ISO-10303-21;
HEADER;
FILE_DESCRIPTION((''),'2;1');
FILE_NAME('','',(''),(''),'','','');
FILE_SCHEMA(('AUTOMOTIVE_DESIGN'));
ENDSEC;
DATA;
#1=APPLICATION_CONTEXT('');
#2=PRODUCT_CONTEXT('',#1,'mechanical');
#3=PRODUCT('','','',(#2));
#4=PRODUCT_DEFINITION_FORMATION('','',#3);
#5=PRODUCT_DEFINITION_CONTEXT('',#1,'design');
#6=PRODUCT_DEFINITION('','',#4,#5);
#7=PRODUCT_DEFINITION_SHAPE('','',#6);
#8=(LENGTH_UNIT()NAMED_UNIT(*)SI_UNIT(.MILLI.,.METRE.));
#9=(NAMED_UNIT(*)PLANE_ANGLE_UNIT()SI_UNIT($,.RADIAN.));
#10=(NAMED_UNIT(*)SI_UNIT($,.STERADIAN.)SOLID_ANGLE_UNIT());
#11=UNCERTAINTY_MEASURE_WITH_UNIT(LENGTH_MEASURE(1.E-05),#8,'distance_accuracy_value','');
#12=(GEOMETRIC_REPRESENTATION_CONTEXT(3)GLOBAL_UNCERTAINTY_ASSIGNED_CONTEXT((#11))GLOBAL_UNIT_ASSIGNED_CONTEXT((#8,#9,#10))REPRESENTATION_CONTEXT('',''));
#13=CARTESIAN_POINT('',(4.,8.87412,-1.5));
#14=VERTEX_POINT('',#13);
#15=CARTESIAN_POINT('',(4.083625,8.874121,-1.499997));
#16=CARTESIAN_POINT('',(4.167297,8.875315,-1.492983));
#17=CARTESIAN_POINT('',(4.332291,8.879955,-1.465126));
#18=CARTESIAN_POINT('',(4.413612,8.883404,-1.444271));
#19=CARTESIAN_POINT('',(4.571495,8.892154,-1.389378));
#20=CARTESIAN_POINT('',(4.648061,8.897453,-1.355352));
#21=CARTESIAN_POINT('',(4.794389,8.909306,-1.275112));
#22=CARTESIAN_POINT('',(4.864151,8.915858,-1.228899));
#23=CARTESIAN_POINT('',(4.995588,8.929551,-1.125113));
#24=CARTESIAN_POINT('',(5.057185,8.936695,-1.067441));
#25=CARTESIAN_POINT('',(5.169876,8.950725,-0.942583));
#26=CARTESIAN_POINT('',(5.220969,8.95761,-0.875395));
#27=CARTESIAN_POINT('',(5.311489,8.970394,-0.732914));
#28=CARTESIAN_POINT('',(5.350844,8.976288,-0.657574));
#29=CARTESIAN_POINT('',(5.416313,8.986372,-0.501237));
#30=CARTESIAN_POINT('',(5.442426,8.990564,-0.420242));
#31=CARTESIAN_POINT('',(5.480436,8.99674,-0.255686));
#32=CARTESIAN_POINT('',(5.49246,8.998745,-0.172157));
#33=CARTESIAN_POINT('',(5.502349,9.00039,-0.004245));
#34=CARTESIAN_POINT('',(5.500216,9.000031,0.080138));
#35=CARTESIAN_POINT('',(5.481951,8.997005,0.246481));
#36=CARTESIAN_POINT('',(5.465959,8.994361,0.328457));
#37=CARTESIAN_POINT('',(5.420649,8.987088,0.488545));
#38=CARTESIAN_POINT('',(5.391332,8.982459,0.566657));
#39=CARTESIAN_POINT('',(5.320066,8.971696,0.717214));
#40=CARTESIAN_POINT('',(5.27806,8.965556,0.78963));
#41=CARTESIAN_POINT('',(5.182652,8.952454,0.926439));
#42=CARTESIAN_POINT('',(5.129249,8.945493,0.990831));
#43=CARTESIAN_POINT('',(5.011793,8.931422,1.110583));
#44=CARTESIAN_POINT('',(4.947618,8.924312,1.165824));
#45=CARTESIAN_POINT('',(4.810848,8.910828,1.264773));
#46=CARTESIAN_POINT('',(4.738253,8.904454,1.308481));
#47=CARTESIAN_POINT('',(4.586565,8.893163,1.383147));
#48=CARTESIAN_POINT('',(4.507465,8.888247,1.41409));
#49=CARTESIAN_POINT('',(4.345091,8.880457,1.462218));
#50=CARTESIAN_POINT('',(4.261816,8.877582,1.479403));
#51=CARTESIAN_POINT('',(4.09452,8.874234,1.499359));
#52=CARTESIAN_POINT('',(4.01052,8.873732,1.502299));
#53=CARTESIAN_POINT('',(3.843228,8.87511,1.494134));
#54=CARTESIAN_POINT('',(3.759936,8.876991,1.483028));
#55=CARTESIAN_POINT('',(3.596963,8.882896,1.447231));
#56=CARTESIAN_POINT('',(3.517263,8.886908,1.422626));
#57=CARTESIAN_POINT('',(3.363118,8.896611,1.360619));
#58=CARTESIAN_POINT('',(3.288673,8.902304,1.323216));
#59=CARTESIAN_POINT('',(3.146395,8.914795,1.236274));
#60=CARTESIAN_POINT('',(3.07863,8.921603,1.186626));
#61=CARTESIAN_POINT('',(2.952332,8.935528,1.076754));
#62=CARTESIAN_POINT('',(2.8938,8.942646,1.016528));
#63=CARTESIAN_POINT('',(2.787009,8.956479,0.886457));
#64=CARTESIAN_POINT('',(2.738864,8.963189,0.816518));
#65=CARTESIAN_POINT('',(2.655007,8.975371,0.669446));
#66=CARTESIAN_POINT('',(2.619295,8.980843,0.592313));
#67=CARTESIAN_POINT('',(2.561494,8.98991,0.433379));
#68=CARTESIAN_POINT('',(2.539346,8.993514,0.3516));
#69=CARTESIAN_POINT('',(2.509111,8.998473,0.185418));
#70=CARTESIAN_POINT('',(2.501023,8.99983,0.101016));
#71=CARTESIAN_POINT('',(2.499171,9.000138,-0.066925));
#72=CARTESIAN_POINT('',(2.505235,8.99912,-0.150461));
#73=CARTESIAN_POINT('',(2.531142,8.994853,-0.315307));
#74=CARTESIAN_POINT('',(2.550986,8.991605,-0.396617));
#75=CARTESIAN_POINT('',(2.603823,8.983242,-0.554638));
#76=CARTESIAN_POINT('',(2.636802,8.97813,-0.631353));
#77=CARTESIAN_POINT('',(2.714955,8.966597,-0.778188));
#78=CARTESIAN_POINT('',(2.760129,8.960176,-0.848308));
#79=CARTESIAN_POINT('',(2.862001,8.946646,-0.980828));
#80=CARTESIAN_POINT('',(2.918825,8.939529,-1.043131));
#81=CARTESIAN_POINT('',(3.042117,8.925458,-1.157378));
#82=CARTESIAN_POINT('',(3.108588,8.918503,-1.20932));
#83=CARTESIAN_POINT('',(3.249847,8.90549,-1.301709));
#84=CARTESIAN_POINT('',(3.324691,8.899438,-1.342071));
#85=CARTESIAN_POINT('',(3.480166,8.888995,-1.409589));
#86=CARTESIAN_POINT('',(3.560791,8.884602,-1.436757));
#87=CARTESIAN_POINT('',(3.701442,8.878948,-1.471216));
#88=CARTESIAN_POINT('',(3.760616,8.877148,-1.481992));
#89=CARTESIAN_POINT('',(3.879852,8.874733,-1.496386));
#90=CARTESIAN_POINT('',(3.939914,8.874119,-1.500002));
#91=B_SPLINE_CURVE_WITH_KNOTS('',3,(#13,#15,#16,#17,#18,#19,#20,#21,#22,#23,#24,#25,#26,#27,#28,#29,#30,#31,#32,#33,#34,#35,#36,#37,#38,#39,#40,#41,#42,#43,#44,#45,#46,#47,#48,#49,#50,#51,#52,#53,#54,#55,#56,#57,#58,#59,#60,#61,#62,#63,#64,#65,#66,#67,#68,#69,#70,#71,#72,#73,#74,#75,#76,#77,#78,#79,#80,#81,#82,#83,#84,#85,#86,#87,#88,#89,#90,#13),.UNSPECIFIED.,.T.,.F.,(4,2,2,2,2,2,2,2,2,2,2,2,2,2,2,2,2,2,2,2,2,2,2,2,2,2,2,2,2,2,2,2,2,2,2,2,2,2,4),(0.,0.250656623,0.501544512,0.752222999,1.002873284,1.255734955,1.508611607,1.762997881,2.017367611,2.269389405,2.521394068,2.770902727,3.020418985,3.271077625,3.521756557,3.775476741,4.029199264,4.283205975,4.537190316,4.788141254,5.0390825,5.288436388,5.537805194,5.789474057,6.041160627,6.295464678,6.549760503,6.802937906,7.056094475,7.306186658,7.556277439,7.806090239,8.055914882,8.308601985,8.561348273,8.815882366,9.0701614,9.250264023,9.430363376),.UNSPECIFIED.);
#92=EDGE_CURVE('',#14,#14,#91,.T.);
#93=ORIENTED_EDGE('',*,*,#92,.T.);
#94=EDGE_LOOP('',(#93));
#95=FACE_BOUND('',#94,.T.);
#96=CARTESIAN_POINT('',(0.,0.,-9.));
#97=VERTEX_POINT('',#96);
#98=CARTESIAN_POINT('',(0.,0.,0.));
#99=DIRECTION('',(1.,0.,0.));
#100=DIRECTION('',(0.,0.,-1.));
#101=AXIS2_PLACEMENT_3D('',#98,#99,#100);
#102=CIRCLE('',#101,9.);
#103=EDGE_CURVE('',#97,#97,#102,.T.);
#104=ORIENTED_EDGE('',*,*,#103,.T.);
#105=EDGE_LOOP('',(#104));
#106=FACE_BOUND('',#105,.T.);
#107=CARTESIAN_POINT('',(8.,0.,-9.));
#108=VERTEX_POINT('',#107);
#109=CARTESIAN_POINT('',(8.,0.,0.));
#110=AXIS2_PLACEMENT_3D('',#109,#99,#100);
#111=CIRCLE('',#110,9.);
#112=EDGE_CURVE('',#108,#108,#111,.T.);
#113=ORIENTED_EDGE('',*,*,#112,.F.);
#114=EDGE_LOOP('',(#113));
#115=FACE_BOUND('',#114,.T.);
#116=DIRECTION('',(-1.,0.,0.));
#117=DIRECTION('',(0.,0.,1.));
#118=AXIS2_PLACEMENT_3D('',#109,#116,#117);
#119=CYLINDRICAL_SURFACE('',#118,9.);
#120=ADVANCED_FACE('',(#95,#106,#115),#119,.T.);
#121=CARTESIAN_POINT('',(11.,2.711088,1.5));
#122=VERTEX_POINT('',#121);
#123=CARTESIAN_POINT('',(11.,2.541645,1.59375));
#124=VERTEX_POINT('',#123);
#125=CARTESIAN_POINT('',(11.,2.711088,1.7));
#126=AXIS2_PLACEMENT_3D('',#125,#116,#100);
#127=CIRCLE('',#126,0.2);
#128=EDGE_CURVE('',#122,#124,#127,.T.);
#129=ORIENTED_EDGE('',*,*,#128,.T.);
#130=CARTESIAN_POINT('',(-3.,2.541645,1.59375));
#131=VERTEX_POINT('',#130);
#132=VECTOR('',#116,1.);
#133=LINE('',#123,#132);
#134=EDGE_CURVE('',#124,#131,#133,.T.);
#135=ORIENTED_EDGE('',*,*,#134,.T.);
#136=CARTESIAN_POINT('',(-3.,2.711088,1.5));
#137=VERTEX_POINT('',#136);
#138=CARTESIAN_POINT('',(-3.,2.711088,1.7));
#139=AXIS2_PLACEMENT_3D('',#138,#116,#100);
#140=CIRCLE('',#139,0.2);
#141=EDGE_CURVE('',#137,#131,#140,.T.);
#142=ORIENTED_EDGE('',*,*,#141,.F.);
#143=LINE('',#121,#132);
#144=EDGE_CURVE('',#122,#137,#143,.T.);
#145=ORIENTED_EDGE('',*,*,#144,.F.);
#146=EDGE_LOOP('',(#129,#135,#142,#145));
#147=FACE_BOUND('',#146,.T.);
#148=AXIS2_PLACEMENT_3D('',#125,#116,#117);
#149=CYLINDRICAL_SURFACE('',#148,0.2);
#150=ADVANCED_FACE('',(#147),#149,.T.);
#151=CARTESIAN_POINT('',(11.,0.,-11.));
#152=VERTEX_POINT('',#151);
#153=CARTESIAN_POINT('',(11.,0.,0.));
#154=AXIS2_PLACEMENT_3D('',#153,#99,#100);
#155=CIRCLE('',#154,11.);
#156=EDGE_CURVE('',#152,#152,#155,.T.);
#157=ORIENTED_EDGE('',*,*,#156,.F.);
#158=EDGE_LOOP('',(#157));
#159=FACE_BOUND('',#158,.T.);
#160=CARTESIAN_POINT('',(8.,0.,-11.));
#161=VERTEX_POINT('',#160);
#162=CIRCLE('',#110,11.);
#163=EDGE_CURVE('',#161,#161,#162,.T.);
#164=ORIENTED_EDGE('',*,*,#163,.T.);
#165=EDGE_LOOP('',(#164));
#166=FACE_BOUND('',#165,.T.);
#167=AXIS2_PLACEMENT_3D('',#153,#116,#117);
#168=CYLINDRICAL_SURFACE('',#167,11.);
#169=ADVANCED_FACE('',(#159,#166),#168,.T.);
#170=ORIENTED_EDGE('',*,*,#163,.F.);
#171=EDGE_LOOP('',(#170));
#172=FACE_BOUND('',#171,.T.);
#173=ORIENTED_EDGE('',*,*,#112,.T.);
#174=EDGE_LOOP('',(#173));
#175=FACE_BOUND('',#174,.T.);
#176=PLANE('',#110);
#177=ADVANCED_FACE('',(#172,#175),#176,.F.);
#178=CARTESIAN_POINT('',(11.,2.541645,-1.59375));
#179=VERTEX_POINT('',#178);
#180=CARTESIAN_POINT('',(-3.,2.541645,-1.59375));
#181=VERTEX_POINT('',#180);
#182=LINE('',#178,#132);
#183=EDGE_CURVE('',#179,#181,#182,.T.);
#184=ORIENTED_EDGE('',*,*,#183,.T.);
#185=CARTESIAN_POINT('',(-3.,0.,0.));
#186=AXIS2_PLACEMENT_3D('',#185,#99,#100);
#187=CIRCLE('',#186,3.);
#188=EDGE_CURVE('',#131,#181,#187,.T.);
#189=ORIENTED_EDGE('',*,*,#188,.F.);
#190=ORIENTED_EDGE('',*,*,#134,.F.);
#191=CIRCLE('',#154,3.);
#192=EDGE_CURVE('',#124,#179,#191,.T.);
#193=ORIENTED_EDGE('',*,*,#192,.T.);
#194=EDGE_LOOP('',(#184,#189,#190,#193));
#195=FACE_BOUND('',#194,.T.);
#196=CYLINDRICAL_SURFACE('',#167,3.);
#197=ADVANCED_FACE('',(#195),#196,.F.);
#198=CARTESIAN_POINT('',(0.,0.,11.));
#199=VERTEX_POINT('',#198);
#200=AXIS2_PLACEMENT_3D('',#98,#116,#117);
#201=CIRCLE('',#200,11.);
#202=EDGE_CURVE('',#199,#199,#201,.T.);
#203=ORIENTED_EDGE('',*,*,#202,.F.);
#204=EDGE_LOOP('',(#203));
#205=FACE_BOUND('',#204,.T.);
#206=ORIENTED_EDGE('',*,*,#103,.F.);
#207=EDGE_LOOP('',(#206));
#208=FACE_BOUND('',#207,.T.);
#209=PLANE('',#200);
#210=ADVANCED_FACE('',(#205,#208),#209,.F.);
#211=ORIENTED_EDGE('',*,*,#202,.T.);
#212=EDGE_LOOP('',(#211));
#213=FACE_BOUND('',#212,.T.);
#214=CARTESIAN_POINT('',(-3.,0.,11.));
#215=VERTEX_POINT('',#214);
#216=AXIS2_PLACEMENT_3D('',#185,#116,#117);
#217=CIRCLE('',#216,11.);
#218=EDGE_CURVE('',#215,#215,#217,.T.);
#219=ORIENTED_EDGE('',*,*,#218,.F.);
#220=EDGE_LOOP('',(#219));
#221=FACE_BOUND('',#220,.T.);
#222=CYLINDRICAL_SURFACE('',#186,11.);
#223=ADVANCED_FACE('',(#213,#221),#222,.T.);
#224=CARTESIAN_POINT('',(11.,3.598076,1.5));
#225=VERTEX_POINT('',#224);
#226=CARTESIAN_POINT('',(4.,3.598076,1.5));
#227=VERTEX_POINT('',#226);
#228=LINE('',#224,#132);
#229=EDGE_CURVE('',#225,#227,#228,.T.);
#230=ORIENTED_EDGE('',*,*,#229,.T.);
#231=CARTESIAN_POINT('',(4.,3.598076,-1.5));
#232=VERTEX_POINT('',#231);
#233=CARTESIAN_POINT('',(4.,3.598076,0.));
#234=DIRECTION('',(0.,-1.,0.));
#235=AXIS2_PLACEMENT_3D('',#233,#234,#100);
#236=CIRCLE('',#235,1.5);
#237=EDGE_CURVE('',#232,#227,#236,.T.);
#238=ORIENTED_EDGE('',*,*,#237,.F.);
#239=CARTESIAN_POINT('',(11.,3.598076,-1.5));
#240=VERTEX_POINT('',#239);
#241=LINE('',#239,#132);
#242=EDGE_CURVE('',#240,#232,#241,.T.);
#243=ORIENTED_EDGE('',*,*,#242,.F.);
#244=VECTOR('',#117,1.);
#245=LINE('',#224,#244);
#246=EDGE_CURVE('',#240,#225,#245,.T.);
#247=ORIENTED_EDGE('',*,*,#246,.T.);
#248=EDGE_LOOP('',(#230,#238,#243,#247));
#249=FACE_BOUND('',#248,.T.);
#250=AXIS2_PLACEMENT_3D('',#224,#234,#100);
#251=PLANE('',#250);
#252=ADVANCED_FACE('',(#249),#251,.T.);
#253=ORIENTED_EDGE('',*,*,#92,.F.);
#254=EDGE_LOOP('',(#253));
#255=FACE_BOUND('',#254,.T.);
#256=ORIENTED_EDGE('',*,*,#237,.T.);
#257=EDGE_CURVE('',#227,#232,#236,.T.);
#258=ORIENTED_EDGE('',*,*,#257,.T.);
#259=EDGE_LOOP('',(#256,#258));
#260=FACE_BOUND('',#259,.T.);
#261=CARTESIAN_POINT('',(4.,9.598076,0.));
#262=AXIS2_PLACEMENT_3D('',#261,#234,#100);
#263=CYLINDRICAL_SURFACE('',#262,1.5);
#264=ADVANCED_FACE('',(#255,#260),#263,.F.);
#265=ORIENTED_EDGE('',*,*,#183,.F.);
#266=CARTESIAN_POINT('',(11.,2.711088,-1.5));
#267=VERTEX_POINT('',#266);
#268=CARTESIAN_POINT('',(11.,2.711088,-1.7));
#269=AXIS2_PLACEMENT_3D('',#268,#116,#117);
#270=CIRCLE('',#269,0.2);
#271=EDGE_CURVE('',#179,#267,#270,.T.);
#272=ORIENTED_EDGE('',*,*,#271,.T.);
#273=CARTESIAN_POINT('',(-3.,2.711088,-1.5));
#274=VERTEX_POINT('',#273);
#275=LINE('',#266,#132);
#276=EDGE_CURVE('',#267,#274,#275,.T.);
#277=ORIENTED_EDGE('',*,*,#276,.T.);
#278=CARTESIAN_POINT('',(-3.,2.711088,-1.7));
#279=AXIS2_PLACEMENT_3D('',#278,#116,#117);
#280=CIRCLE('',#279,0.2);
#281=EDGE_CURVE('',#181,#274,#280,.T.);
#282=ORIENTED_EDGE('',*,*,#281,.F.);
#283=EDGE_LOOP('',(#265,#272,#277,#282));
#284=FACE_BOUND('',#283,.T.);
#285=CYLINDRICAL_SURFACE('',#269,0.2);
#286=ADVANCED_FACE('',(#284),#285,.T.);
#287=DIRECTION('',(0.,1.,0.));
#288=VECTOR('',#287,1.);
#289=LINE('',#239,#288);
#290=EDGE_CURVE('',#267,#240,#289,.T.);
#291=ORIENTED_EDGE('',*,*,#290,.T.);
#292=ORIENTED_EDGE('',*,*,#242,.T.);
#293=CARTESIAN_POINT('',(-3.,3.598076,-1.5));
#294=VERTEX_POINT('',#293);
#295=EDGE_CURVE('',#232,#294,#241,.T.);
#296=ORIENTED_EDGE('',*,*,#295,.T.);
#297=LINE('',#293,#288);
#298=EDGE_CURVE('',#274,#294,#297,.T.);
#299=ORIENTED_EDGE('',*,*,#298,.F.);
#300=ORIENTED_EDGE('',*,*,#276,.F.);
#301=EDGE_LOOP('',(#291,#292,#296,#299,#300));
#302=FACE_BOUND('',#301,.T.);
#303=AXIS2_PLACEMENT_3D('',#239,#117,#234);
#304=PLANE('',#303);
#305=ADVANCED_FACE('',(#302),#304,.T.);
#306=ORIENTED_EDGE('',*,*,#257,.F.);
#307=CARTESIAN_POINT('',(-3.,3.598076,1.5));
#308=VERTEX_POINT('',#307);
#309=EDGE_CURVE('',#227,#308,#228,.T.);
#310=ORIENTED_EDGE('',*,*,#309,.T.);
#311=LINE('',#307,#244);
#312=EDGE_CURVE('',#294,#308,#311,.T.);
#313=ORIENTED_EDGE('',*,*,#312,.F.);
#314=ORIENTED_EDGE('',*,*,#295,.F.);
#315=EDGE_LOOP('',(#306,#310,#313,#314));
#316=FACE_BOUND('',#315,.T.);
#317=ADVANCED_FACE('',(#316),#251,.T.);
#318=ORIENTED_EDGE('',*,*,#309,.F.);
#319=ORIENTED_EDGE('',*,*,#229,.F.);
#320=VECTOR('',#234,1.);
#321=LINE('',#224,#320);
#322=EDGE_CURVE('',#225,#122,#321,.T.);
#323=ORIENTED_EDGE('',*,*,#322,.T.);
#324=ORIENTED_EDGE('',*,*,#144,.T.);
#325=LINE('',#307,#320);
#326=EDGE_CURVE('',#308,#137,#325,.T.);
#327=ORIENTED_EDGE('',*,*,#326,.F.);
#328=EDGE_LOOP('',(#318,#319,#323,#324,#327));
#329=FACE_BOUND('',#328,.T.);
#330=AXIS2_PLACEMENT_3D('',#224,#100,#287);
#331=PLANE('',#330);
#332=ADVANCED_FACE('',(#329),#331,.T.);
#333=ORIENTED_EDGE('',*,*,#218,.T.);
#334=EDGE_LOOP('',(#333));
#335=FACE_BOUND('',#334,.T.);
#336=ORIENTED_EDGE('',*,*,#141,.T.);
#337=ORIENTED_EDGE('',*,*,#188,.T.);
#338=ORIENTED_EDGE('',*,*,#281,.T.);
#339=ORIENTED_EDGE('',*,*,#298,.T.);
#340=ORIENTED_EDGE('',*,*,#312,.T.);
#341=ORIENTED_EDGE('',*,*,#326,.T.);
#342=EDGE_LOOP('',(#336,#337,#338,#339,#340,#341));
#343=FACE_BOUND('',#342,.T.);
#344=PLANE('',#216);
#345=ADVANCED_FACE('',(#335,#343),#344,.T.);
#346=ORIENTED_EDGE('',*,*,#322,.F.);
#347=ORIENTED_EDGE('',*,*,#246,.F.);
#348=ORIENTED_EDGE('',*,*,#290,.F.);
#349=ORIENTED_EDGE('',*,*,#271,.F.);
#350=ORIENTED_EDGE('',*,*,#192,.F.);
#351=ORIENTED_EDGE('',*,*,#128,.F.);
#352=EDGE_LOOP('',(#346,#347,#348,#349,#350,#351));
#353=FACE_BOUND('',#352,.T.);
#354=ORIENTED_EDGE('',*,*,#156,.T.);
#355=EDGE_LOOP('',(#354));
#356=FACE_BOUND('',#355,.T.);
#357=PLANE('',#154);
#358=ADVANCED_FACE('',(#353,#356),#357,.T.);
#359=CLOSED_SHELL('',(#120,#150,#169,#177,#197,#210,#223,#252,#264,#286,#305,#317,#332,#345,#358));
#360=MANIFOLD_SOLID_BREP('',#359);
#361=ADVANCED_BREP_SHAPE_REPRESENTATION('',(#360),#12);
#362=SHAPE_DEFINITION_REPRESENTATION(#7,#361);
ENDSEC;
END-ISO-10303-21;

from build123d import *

# Parameters (mm, degrees)
SKETCH1_R               = 9
BOSS_EXTRUDE1_DEPTH     = 8
SKETCH3_R               = 11
BOSS_EXTRUDE2_DEPTH     = 3
SKETCH4_R               = 11
BOSS_EXTRUDE3_DEPTH     = 3
CUT_EXTRUDE2_DEPTH      = 3
CUT_EXTRUDE2_DEPTH_BACK = 11
SKETCH6_R               = 1.5
CUT_EXTRUDE3_DEPTH      = 6


with BuildPart() as part:
    # Sketch1 → Boss-Extrude1 (new body)
    with BuildSketch(Plane(origin=(0, 0, 0), x_dir=(0, 0, -1), z_dir=(1, 0, 0))):
        Circle(SKETCH1_R)
    extrude(amount=BOSS_EXTRUDE1_DEPTH)

    # Sketch3 → Boss-Extrude2 (add)
    with BuildSketch(Plane(origin=(8, 0, 0), x_dir=(0, 0, -1), z_dir=(1, 0, 0))):
        Circle(SKETCH3_R)
    extrude(amount=BOSS_EXTRUDE2_DEPTH)

    # Sketch4 → Boss-Extrude3 (add)
    with BuildSketch(Plane.ZY):
        Circle(SKETCH4_R)
    extrude(amount=BOSS_EXTRUDE3_DEPTH)

    # Sketch2 → Cut-Extrude2 (cut, two sides)
    with BuildSketch(Plane(origin=(8, 0, 0), x_dir=(0, 0, -1), z_dir=(1, 0, 0))) as cut_extrude2_sk:
        with BuildLine():
            Line((-1.5, 3.598076211), (1.5, 3.598076211))
            Line((1.5, 3.598076211), (1.5, 2.711088342))
            ThreePointArc((1.5, 2.711088342), (1.525, 2.614263759), (1.59375, 2.541645321))
            ThreePointArc((1.59375, 2.541645321), (0, -3), (-1.59375, 2.541645321))
            ThreePointArc((-1.59375, 2.541645321), (-1.525, 2.614263759), (-1.5, 2.711088342))
            Line((-1.5, 2.711088342), (-1.5, 3.598076211))
        make_face()
    extrude(amount=CUT_EXTRUDE2_DEPTH, mode=Mode.SUBTRACT)
    extrude(cut_extrude2_sk.sketch, amount=-CUT_EXTRUDE2_DEPTH_BACK, mode=Mode.SUBTRACT)

    # Sketch6 → Cut-Extrude3 (cut)
    with BuildSketch(Plane.XZ.offset(-3.598076211)):
        with Locations((4, 0)):
            Circle(SKETCH6_R)
    extrude(amount=-CUT_EXTRUDE3_DEPTH, mode=Mode.SUBTRACT)


solid = part.part
